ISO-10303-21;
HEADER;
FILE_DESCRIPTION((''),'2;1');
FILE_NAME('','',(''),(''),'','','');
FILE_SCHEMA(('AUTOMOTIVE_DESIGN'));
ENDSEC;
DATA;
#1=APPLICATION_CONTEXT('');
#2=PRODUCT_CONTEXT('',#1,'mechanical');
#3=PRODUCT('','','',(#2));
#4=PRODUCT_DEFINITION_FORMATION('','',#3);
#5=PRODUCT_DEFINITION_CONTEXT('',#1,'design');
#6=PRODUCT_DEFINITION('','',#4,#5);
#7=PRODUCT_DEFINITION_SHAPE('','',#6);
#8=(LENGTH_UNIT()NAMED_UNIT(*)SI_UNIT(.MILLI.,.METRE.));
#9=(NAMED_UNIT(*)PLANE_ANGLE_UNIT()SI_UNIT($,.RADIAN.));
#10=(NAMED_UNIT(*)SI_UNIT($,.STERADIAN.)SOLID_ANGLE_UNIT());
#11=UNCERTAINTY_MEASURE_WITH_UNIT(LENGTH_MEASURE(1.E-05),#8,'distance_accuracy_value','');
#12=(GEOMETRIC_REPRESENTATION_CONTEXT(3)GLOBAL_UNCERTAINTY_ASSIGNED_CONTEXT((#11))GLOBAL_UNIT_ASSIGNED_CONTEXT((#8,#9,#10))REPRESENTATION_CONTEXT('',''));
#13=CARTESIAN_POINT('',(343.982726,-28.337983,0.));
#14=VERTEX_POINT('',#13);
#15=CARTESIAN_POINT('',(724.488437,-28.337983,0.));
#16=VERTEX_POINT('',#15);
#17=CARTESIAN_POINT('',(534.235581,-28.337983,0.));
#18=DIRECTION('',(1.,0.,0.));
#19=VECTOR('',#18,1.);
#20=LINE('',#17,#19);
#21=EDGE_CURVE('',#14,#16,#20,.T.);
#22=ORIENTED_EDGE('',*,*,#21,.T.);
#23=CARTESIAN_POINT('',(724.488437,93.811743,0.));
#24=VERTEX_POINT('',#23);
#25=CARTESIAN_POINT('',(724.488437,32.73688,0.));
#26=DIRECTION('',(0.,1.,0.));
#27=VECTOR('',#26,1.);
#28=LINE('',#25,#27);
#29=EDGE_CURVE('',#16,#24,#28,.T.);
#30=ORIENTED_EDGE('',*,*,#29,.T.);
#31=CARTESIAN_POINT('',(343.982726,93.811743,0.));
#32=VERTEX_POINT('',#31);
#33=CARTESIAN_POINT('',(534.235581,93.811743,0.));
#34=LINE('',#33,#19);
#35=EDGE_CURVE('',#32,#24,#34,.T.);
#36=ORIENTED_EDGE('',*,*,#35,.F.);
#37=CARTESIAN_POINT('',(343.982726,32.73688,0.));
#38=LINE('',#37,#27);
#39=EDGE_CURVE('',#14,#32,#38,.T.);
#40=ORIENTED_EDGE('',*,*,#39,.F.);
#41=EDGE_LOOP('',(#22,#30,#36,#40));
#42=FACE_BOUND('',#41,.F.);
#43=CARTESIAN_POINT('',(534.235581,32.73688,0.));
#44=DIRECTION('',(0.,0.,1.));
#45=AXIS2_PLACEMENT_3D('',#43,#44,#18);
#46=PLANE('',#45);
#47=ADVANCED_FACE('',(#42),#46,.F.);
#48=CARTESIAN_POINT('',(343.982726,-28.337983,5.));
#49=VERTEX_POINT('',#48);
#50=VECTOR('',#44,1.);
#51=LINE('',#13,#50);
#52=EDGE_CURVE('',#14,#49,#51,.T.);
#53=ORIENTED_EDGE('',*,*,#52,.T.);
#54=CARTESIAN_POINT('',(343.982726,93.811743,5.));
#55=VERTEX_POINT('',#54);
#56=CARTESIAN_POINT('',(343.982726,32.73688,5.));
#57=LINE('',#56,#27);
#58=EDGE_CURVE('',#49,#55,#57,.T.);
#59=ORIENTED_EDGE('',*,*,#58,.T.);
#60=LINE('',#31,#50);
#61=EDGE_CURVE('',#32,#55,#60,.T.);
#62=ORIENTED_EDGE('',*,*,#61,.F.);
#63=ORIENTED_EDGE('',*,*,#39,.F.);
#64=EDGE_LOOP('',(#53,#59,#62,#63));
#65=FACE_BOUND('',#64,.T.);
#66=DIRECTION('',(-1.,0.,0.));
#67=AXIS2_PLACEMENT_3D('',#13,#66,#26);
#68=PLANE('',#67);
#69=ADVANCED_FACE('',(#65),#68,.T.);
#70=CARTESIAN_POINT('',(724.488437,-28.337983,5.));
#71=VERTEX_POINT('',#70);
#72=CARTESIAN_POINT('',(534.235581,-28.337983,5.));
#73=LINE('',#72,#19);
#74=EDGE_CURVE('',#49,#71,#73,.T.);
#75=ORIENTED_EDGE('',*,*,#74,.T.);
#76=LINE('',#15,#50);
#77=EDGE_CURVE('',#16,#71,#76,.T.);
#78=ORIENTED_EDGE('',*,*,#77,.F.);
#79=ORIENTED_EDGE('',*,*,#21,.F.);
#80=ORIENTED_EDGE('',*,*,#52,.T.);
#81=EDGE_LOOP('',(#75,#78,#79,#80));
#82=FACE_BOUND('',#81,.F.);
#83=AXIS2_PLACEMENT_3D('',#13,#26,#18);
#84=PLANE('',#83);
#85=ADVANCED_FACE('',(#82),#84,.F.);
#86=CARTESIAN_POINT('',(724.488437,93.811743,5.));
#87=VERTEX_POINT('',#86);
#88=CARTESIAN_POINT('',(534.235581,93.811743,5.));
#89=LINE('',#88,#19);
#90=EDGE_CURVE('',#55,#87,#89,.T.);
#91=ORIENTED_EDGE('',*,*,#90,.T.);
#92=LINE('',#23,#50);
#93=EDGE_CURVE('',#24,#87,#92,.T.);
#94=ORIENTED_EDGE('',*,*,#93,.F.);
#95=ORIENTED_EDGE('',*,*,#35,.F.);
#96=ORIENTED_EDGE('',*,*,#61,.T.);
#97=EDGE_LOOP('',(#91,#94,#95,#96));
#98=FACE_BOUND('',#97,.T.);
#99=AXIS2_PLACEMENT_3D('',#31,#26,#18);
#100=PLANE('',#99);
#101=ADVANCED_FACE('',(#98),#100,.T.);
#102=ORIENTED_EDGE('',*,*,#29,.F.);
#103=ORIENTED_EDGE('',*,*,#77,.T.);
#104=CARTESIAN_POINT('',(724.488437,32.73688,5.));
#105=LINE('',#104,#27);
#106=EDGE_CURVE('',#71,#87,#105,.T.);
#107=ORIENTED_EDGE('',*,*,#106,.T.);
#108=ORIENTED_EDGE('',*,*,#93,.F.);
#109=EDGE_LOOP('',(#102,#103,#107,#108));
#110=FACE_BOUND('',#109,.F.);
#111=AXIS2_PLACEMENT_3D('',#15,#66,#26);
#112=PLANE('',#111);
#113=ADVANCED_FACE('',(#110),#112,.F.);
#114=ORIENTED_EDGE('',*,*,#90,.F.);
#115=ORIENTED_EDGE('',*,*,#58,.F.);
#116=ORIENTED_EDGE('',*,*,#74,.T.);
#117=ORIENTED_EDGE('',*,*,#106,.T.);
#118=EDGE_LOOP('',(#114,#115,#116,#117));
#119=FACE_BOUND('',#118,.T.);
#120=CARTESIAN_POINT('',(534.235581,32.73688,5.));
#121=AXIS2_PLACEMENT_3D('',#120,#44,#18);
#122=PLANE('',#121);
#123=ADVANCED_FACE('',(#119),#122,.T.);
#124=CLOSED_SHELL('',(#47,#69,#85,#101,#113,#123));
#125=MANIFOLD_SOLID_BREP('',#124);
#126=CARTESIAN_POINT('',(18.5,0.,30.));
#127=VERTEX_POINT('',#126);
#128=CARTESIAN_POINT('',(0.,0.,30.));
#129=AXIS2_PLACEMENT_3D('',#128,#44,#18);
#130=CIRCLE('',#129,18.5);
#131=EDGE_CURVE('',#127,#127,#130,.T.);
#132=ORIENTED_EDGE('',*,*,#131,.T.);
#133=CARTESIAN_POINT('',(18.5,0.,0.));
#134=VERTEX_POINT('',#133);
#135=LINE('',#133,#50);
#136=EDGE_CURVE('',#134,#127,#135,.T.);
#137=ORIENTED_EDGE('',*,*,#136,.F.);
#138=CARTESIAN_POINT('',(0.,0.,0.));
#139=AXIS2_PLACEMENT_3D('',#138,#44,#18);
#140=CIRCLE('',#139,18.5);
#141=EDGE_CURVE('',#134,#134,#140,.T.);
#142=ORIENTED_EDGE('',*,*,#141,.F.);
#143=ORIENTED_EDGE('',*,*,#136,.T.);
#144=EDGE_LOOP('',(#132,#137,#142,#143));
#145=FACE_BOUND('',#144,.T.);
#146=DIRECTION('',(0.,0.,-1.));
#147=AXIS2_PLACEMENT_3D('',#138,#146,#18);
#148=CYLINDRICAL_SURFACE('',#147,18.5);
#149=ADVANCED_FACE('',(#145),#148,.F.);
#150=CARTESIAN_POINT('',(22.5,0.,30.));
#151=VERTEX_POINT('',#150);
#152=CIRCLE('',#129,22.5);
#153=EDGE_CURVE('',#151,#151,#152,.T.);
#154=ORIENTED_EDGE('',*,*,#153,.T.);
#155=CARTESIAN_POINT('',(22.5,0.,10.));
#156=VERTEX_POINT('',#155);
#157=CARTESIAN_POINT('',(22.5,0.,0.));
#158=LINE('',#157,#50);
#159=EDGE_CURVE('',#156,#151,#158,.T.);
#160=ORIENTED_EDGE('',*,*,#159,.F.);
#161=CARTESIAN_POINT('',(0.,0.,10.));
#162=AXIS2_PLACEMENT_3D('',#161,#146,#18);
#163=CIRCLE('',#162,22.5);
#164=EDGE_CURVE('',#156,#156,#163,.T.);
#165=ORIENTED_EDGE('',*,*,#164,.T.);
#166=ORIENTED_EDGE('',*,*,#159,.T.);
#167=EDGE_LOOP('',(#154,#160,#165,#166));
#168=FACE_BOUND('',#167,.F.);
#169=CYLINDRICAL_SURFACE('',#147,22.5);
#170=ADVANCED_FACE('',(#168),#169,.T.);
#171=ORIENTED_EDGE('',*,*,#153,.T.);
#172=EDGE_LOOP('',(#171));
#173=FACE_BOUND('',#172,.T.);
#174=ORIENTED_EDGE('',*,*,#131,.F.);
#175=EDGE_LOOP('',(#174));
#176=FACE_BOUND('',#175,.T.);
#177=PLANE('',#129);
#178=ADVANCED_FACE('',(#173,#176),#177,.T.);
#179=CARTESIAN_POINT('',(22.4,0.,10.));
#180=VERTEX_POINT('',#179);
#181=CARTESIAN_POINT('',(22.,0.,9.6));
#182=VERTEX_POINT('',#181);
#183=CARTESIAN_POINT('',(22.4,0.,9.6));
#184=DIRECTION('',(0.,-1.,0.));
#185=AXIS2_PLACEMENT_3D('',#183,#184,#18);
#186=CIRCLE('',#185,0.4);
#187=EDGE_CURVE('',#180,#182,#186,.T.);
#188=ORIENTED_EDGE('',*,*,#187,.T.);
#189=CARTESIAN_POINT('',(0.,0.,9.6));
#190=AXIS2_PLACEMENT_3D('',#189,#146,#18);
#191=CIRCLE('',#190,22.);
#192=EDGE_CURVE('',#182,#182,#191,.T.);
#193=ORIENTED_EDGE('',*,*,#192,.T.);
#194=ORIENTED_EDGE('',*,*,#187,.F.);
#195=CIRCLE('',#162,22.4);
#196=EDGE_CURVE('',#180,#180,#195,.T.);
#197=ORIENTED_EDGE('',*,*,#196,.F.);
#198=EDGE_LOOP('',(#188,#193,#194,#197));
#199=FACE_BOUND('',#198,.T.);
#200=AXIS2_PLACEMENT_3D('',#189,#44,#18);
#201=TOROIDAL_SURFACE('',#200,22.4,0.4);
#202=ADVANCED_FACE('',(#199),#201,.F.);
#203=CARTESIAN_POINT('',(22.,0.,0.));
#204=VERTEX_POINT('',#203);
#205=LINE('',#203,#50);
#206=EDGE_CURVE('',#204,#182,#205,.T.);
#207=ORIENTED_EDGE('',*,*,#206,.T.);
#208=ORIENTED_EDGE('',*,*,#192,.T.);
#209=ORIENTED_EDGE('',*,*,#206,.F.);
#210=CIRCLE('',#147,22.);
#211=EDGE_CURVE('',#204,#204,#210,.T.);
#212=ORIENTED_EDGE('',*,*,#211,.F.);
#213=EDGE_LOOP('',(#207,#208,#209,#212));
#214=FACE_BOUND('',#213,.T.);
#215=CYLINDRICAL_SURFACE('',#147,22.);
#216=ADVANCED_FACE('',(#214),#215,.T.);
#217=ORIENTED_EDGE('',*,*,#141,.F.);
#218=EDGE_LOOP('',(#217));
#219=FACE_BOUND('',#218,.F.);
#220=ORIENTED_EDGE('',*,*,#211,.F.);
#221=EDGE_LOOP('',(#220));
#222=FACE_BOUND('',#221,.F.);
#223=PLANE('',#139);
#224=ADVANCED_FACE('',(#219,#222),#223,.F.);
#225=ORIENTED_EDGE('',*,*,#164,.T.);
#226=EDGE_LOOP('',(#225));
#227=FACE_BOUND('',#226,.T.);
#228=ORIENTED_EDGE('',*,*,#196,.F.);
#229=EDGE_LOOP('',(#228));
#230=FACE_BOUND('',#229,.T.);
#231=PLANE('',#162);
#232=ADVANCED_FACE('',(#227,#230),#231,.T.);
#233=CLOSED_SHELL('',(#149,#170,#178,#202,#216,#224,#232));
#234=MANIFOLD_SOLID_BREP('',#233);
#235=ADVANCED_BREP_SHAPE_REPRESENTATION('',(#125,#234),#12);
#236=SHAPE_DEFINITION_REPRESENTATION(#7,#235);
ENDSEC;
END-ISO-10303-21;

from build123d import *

# Parameters (mm, degrees)
F0_R     = 22.5
F0_R_2   = 18.5
F1_DEPTH = 30
F2_R     = 22.5
F2_R_2   = 22
F3_DEPTH = 10
F4_W     = 380.505711
F4_H     = 122.149726
F5_DEPTH = 5
F6_R     = 0.4


with BuildPart() as f1:
    # F0 (on Top) → F1 (new body)
    with BuildSketch(Plane.XY):
        Circle(F0_R)
        Circle(F0_R_2, mode=Mode.SUBTRACT)
    extrude(amount=F1_DEPTH)

    # F2 (on face) → F3 (cut)
    with BuildSketch(Plane(origin=(0, 0, 0), x_dir=(1, 0, 0), z_dir=(0, 0, -1))):
        Circle(F2_R)
        Circle(F2_R_2, mode=Mode.SUBTRACT)
    extrude(amount=-F3_DEPTH, mode=Mode.SUBTRACT)

    # F6
    f6_edges = [f1.edges().sort_by_distance(p)[0] for p in [
        (-22, 0, 10),
    ]]
    fillet(f6_edges, radius=F6_R)


with BuildPart() as f5:
    # F4 (on Top) → F5 (new body)
    with BuildSketch(Plane.XY):
        with Locations((534.235581, 32.73688)):
            Rectangle(F4_W, F4_H)
    extrude(amount=F5_DEPTH)


solid = Compound([f1.part, f5.part])
